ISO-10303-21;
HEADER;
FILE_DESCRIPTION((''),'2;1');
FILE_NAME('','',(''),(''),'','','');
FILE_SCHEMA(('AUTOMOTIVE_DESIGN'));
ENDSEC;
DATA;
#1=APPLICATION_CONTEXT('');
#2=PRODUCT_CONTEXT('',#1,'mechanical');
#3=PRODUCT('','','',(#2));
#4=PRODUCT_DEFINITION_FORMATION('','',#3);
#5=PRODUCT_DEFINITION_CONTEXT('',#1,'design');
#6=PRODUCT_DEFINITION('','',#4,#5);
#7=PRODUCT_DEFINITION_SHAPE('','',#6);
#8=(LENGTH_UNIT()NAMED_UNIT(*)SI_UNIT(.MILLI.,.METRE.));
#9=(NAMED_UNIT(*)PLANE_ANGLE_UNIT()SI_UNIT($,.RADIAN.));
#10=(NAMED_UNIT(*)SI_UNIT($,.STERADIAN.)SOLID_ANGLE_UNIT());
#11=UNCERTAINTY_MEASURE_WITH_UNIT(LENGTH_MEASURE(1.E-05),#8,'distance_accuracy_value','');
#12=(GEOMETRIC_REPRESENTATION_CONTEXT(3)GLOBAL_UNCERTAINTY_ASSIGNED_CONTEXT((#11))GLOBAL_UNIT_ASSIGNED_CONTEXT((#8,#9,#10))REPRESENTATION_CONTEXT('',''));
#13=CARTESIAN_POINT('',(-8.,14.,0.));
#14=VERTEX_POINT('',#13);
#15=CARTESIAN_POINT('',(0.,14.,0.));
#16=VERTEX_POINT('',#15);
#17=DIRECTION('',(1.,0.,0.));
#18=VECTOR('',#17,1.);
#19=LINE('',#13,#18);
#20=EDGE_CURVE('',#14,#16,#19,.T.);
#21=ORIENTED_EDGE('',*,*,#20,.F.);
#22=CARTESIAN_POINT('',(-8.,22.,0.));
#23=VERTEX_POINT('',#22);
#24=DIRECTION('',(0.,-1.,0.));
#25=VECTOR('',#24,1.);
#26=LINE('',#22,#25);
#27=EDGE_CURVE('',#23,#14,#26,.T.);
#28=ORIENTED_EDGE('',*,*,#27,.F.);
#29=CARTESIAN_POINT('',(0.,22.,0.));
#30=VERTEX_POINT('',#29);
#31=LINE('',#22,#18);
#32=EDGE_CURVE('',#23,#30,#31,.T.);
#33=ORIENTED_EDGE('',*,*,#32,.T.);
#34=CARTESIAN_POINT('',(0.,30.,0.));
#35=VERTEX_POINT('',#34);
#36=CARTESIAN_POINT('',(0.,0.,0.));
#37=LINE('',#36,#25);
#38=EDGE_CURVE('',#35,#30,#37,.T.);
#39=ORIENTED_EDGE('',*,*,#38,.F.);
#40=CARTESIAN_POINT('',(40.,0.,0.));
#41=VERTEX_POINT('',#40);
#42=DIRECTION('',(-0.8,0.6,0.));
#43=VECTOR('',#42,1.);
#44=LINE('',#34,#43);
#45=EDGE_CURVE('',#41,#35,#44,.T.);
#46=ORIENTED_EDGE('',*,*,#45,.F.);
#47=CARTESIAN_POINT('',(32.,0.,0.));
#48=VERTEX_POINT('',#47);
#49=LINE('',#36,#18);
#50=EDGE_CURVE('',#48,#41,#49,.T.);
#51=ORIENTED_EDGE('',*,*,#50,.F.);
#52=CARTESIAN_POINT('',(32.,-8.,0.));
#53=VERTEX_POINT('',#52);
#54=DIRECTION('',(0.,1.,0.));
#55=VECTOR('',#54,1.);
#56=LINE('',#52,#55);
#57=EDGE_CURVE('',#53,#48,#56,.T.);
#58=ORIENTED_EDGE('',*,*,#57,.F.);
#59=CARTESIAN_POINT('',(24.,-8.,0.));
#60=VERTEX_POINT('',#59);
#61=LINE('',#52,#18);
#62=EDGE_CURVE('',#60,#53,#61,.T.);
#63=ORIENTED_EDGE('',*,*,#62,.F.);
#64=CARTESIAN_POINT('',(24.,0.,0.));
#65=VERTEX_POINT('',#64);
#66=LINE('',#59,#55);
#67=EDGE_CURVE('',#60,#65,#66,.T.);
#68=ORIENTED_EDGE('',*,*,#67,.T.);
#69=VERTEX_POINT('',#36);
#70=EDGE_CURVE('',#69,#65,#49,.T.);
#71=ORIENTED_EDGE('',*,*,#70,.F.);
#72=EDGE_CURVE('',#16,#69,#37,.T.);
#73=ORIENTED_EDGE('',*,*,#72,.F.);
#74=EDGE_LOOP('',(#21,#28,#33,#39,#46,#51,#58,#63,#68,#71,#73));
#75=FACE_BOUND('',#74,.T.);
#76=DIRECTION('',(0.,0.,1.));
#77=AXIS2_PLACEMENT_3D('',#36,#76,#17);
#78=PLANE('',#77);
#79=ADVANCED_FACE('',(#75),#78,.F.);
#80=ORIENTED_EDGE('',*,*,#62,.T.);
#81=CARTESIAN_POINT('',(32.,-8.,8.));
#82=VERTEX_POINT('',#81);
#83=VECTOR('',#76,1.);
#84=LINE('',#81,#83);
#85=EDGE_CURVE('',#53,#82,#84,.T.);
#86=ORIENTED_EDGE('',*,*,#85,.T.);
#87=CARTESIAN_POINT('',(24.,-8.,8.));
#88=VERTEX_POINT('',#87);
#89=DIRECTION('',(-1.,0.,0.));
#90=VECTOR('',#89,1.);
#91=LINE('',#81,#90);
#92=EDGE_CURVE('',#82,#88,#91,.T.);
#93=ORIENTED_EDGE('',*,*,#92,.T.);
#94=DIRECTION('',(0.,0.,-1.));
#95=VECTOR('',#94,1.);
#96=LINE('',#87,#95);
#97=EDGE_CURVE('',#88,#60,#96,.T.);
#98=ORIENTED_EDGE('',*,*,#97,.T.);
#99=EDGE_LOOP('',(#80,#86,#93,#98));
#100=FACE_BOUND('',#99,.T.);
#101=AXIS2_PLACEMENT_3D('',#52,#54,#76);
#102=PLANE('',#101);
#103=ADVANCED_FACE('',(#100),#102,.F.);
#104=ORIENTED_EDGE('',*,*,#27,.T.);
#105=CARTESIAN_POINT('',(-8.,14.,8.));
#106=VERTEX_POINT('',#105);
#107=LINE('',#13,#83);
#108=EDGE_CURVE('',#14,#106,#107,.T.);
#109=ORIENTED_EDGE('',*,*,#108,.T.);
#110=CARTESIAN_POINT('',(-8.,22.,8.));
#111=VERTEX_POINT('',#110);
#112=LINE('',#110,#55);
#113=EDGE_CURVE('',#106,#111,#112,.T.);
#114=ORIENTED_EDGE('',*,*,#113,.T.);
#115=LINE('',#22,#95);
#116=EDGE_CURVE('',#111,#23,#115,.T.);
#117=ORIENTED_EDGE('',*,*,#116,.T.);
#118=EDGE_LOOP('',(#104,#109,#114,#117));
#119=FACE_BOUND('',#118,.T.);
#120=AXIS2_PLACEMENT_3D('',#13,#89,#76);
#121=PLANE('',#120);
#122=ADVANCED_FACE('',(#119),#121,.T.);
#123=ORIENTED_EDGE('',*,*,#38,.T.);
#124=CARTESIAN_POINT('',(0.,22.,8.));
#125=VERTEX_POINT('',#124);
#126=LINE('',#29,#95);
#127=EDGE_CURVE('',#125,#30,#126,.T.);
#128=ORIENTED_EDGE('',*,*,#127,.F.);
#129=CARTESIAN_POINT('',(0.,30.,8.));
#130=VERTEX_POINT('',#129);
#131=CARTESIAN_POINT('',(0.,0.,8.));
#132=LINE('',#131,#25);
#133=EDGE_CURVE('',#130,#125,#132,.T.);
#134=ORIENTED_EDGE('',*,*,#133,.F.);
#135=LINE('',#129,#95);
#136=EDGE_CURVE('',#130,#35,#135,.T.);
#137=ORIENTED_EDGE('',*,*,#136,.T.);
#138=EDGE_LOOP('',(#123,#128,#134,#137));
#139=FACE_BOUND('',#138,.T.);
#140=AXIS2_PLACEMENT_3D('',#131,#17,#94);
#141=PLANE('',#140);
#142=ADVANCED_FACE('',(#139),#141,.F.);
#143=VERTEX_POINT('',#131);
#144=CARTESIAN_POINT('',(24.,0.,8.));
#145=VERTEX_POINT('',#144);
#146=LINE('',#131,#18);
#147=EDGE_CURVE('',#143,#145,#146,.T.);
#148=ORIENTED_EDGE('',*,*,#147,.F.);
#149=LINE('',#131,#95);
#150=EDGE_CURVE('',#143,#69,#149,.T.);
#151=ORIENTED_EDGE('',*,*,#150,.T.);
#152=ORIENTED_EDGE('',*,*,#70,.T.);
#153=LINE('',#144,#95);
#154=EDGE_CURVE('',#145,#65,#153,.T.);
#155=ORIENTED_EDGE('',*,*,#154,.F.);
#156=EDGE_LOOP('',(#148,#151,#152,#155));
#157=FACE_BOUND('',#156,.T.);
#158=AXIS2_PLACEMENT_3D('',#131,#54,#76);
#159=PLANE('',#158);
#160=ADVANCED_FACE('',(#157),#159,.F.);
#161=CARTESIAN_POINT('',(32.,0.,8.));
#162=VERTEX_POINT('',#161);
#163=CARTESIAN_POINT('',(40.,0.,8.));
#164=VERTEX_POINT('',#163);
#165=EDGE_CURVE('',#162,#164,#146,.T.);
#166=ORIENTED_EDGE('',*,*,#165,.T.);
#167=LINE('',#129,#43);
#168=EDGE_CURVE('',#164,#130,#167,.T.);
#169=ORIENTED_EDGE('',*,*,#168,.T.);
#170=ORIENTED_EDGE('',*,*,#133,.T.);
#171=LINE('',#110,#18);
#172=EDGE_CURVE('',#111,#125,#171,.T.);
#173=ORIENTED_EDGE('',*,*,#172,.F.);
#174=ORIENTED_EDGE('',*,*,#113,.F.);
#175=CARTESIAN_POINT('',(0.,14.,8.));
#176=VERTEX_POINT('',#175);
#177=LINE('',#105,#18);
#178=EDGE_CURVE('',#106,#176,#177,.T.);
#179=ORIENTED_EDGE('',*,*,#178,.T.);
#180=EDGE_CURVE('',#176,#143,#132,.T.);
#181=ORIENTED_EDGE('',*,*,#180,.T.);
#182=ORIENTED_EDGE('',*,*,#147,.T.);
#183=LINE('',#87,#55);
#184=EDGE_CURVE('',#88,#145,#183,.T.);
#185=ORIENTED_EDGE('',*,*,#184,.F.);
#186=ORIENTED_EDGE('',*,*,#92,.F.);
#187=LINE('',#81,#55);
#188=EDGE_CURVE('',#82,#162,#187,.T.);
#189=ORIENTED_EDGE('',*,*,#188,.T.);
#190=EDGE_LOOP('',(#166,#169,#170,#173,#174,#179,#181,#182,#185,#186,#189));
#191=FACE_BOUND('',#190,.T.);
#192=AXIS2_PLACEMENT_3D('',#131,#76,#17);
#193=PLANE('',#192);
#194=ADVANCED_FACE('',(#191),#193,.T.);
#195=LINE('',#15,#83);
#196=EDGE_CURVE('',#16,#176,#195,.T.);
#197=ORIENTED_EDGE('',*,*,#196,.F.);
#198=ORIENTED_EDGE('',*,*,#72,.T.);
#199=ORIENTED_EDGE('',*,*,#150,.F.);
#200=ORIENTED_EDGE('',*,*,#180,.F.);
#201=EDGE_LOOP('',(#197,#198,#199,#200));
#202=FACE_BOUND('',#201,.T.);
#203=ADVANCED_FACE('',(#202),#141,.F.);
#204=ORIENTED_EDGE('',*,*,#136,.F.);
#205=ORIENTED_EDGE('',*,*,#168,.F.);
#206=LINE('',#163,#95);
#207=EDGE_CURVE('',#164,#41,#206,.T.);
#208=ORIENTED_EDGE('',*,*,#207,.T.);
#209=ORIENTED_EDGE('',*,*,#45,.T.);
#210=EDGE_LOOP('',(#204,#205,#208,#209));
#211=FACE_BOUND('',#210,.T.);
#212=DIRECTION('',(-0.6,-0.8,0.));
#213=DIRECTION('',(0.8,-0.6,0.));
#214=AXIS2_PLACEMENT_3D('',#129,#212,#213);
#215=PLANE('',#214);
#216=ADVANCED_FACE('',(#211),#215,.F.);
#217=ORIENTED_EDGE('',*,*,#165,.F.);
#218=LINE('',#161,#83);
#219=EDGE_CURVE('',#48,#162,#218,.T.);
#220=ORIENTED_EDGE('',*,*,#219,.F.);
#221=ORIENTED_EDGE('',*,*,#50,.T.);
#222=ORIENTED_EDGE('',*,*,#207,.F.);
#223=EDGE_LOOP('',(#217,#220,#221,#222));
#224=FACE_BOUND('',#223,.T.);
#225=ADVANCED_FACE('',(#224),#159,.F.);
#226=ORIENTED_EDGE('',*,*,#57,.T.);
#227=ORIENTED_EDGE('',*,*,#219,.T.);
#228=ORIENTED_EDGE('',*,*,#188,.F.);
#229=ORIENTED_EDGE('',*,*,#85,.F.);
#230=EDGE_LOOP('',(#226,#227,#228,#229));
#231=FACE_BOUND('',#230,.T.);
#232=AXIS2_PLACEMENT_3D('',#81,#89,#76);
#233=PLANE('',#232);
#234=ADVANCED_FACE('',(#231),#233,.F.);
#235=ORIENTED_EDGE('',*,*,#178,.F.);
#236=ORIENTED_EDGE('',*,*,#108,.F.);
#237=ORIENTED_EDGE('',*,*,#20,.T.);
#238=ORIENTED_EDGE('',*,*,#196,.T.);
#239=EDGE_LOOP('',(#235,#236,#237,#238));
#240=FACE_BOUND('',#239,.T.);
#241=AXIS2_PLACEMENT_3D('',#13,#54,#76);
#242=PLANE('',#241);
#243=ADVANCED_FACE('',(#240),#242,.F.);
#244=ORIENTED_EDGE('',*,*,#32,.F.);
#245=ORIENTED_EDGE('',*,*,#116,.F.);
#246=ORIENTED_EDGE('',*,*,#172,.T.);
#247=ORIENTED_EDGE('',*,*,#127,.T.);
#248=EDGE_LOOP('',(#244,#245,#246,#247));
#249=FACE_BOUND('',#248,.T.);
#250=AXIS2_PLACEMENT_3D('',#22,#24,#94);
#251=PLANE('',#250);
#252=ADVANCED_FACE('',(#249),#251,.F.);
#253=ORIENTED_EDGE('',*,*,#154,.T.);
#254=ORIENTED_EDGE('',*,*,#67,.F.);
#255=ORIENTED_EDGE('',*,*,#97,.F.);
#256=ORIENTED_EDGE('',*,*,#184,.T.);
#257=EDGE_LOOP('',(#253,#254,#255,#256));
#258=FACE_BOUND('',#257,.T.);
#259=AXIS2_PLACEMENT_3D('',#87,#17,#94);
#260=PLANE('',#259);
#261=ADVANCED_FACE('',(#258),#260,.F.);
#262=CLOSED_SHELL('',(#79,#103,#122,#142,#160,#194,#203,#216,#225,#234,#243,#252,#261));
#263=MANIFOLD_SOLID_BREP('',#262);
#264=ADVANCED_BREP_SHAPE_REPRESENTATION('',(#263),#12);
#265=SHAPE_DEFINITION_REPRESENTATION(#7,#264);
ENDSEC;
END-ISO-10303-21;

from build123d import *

# Parameters (mm, degrees)
SIDE_BOSS_EXTRUDE1_DEPTH               = 8
SKETCH2_W                              = 8
SKETCH2_H                              = 8
PUZZLE_SLOT_BACK_BOSS_EXTRUDE2_DEPTH   = 8
SKETCH3_W                              = 8
SKETCH3_H                              = 8
PUZZLE_SLOT_BOTTOM_BOSS_EXTRUDE3_DEPTH = 8


with BuildPart() as part:
    # Sketch1 → Side Boss-Extrude1 (new body)
    with BuildSketch(Plane.XY):
        Polygon((0, 0), (0, 30), (40, 0), align=None)
    extrude(amount=SIDE_BOSS_EXTRUDE1_DEPTH)

    # Sketch2 → Puzzle Slot Back Boss-Extrude2 (add)
    with BuildSketch(Plane.ZY):
        with Locations((4, 18)):
            Rectangle(SKETCH2_W, SKETCH2_H)
    extrude(amount=PUZZLE_SLOT_BACK_BOSS_EXTRUDE2_DEPTH)

    # Sketch3 → Puzzle Slot Bottom Boss-Extrude3 (add)
    with BuildSketch(Plane.XZ):
        with Locations((28, 4)):
            Rectangle(SKETCH3_W, SKETCH3_H)
    extrude(amount=PUZZLE_SLOT_BOTTOM_BOSS_EXTRUDE3_DEPTH)


solid = part.part
